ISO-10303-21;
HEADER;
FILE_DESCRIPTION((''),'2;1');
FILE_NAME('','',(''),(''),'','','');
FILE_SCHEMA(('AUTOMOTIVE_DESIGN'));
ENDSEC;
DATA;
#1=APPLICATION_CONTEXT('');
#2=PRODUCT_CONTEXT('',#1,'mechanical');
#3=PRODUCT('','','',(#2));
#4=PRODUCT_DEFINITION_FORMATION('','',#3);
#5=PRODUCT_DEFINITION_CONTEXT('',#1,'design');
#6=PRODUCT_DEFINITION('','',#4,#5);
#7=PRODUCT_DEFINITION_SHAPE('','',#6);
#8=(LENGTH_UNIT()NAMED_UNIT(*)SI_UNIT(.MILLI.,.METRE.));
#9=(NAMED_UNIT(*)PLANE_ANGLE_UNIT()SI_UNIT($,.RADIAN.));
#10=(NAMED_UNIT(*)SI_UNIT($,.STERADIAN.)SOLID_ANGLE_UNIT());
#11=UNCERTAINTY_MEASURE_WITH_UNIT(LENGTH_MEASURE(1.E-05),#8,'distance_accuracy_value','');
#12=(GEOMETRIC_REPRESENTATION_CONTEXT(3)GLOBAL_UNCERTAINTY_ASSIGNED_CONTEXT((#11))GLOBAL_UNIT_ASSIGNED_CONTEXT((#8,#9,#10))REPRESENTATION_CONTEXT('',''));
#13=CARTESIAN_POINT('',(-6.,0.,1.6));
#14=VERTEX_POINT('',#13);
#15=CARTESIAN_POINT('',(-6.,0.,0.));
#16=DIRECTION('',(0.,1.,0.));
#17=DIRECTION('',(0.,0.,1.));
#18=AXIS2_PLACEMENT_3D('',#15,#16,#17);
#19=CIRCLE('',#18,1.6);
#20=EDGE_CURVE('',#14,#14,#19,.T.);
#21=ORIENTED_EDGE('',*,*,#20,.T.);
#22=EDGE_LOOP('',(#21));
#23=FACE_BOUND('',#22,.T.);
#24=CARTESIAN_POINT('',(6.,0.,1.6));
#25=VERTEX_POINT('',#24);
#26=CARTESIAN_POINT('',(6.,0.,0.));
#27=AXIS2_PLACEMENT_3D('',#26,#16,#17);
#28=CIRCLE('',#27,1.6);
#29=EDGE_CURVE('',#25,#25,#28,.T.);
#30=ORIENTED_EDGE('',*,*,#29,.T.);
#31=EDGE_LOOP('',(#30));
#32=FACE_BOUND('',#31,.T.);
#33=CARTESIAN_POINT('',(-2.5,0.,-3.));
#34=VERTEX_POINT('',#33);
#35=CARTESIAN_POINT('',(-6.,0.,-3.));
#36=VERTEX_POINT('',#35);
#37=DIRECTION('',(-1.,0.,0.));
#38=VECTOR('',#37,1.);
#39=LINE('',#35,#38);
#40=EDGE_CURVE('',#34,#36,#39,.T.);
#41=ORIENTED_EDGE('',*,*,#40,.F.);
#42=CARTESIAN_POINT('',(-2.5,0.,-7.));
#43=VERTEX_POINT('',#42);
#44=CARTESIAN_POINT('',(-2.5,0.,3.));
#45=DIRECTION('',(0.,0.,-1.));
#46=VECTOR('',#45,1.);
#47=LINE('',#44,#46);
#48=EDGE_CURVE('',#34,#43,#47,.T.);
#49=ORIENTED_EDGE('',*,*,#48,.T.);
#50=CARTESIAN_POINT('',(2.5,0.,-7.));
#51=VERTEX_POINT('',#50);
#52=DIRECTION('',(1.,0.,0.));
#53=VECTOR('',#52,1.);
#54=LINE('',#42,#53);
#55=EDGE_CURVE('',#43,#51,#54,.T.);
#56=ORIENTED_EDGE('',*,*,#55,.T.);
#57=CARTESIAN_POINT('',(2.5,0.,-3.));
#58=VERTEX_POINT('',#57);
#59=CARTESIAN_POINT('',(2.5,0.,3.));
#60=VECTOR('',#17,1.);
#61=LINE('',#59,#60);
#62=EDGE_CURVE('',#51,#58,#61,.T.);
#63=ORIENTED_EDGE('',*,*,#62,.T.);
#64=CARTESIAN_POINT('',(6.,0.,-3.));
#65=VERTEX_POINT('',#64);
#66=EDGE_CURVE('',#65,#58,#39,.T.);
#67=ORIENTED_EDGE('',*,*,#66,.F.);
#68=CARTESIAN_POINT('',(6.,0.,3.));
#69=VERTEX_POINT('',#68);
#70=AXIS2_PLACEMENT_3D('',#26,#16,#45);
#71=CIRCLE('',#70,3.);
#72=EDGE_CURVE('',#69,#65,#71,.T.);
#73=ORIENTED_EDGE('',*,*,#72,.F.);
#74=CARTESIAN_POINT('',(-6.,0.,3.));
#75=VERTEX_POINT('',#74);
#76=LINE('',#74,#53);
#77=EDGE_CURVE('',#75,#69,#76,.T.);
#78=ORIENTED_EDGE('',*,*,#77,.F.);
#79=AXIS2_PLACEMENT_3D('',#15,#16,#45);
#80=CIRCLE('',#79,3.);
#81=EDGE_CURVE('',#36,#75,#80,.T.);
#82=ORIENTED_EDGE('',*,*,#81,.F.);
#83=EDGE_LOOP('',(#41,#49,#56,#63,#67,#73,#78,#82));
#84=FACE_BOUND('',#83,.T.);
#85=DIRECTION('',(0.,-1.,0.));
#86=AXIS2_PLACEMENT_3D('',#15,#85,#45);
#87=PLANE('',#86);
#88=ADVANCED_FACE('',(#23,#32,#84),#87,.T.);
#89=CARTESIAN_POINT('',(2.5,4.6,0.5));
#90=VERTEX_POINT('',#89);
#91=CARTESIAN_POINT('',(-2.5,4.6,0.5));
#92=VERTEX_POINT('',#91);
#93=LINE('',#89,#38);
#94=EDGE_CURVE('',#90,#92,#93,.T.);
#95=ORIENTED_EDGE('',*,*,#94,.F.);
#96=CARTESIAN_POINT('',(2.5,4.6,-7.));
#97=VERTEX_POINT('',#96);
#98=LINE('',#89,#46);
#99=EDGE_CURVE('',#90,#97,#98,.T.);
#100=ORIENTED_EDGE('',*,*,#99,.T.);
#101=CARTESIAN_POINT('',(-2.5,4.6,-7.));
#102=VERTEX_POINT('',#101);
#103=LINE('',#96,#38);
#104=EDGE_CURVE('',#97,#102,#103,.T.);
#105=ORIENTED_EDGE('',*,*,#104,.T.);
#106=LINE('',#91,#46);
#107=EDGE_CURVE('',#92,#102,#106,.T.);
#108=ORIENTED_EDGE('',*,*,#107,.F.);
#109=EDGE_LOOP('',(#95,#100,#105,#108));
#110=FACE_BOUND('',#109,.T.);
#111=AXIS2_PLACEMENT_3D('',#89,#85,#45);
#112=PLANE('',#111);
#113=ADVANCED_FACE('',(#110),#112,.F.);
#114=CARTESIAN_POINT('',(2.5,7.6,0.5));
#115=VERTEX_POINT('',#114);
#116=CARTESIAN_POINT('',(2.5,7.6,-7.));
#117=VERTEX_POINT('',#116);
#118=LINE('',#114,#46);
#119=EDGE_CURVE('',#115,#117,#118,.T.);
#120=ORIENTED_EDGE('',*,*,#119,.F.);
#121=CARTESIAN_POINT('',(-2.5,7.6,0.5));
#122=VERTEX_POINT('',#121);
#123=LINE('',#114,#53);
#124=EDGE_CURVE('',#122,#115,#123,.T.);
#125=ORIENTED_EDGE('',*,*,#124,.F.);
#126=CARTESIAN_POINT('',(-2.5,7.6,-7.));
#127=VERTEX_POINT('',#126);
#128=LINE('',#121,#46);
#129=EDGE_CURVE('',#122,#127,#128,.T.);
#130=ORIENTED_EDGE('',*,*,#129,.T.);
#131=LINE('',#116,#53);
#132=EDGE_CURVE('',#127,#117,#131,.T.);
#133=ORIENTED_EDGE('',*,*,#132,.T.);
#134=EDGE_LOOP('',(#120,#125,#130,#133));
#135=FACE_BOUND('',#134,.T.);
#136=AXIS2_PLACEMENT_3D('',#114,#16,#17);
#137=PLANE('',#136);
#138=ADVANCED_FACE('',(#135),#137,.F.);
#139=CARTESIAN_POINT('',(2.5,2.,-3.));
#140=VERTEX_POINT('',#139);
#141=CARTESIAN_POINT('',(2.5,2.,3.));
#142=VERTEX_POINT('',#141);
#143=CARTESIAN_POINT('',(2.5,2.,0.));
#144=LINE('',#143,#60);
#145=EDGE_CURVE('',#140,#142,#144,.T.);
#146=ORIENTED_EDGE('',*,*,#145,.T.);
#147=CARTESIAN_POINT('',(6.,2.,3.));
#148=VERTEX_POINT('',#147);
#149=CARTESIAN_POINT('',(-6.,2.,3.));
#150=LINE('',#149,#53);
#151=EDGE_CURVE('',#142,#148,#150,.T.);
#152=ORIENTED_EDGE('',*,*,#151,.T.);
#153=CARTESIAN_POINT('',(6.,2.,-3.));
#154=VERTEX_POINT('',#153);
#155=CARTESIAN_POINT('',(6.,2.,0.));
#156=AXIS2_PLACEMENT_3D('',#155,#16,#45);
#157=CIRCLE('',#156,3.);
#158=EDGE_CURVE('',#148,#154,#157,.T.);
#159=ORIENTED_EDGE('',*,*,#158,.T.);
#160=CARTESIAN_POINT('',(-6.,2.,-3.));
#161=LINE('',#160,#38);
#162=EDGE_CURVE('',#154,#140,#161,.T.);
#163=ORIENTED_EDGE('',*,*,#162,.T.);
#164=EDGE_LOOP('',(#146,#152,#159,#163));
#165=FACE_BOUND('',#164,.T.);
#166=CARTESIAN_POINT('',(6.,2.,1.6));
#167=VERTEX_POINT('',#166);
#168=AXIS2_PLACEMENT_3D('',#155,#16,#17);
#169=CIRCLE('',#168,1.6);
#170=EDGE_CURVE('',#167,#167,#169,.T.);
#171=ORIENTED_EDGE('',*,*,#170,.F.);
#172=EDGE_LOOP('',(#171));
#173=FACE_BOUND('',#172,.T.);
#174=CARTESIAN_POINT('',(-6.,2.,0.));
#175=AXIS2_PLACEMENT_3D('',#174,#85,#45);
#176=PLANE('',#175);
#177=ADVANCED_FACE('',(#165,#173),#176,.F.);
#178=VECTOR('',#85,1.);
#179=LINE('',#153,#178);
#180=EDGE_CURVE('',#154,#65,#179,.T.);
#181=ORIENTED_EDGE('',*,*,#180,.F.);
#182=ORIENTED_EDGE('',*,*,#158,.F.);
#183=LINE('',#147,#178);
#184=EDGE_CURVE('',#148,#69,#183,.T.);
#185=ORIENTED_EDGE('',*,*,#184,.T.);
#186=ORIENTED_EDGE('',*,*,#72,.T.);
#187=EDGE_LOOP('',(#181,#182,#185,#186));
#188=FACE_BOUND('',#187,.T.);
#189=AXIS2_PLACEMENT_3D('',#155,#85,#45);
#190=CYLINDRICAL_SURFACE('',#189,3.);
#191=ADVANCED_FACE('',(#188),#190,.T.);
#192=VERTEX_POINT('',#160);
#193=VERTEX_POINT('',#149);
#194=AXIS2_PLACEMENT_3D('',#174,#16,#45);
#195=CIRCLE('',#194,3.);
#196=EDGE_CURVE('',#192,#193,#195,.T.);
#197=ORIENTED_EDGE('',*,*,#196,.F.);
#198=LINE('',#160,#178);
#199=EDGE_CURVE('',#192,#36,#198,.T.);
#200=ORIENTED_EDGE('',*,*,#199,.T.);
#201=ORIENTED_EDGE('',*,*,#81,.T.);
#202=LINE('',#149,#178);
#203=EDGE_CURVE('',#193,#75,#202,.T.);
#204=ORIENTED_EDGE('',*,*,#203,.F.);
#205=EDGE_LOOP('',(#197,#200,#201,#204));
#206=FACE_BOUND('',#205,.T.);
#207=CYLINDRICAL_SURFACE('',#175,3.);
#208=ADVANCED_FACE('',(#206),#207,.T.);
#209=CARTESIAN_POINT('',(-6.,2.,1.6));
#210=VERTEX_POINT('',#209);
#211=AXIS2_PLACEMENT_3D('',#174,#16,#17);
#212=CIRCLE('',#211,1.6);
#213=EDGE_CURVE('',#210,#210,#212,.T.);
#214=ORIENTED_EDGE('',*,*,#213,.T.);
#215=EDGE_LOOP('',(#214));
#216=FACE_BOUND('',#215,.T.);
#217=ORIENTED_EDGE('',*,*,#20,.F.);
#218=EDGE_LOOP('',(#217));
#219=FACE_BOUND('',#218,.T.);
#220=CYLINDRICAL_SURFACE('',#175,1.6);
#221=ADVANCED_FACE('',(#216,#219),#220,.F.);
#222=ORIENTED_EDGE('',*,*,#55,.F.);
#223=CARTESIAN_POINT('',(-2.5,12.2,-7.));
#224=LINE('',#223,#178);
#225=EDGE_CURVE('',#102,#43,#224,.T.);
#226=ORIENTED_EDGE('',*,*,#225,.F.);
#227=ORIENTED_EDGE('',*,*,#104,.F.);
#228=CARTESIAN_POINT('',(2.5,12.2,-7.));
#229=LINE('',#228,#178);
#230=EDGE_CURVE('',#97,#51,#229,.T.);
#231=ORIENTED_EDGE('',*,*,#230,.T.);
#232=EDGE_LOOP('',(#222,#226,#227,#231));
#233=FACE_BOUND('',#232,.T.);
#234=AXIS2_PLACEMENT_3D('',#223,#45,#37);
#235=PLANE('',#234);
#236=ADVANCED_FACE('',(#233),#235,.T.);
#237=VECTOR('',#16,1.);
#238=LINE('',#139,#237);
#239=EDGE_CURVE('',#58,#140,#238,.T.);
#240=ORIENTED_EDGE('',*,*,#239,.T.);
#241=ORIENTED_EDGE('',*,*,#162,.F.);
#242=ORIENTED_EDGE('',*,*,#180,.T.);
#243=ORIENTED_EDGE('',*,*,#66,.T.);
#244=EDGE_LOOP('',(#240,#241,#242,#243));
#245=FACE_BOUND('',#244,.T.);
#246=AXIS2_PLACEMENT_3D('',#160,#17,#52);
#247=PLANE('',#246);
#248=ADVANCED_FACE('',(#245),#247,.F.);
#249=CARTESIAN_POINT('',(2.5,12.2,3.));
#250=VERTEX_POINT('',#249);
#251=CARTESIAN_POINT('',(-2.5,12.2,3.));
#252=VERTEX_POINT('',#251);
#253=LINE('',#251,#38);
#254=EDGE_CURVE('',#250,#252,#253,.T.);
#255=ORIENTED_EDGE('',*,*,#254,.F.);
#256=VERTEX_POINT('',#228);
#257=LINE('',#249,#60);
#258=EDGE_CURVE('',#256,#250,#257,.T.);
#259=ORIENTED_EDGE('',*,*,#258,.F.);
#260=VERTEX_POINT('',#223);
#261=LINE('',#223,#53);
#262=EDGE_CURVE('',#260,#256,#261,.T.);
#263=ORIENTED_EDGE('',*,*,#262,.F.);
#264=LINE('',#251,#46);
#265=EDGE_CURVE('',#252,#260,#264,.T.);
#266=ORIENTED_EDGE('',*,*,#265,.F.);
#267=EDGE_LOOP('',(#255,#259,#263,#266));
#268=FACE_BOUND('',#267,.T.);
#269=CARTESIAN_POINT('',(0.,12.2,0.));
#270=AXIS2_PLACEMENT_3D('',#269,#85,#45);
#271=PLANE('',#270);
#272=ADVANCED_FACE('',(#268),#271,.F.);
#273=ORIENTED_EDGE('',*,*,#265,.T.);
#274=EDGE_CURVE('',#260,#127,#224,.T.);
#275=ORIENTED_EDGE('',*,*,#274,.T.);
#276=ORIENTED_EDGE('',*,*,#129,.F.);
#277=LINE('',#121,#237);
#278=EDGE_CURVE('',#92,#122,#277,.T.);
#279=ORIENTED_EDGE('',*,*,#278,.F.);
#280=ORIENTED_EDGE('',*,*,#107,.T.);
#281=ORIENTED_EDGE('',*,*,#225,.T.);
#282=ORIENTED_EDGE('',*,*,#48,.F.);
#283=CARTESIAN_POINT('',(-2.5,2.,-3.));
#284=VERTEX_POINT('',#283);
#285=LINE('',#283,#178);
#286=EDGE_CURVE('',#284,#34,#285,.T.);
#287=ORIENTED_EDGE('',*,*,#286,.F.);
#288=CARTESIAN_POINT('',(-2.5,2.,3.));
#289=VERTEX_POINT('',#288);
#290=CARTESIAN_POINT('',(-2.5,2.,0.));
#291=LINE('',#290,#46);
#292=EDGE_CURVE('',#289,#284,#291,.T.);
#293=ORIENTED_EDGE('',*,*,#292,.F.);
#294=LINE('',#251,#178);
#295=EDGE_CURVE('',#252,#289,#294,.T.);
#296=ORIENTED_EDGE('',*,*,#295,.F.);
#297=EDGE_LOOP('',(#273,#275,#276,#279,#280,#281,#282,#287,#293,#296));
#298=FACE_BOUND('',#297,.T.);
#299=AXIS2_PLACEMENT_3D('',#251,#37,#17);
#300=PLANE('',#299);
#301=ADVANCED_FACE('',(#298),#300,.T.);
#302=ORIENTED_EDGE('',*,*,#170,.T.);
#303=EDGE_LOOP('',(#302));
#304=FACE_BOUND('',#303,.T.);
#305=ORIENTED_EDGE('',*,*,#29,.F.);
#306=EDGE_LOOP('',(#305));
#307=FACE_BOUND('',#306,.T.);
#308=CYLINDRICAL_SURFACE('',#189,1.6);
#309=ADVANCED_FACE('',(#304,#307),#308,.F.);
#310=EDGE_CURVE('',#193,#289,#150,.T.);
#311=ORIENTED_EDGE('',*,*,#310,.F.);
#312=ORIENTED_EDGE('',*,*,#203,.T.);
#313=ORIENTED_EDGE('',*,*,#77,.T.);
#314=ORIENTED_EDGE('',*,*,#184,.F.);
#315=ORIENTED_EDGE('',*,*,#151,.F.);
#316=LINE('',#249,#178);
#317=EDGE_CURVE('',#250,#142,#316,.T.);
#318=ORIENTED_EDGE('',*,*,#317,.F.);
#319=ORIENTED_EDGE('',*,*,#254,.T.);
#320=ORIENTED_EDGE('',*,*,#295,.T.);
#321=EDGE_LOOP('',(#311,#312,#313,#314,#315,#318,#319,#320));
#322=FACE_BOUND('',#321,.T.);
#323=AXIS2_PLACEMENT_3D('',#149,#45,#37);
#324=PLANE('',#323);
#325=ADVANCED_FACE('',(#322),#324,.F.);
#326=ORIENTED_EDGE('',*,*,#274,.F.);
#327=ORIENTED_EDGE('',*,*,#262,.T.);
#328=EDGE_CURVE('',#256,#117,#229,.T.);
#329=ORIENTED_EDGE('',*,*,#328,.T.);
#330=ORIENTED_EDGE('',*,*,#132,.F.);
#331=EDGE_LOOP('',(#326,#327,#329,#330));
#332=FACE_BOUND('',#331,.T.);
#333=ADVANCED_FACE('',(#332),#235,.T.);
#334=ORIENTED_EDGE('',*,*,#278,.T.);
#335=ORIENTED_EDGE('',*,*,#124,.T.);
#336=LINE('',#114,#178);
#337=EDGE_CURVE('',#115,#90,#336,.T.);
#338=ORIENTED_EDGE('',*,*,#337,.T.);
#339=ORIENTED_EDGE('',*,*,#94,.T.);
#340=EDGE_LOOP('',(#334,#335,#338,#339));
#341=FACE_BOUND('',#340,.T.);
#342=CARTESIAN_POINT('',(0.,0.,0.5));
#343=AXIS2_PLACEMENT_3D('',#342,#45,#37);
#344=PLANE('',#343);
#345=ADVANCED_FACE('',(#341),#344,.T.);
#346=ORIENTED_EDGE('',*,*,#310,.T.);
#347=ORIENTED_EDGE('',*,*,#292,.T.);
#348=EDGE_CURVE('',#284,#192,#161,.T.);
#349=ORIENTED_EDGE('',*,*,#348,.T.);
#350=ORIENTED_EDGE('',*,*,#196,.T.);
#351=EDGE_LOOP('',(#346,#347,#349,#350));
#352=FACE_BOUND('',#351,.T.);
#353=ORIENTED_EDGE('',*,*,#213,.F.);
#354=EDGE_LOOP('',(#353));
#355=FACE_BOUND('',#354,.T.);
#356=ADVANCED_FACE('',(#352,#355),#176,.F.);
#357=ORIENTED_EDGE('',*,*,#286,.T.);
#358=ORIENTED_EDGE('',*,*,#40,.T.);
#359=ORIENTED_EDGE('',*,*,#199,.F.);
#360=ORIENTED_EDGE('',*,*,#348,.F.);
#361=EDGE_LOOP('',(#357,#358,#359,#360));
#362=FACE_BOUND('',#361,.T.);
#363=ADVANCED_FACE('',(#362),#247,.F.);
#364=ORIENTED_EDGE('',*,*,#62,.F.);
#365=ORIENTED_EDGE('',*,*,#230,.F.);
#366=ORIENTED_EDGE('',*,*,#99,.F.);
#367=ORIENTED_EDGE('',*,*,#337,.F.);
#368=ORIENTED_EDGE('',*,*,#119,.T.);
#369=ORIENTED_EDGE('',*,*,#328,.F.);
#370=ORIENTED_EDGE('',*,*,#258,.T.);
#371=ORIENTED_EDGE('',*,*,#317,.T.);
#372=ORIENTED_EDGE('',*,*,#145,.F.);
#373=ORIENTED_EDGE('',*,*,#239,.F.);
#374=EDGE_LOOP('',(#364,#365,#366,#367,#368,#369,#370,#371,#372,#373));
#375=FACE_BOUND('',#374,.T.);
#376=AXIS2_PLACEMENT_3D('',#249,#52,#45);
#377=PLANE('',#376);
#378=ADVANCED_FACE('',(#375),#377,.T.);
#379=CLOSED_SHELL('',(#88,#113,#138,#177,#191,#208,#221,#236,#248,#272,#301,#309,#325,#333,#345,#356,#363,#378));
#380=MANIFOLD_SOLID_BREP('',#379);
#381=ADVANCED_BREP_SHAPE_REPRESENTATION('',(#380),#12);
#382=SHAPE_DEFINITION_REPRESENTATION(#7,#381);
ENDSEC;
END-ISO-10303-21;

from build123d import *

# Parameters (mm, degrees)
SKETCH_1_R            = 1.6
EXTRUDE_330_DEPTH     = 2
SKETCH_2_W            = 5
SKETCH_2_H            = 10
EXTRUDE_541_DEPTH     = 12.2
SKETCH_3_W            = 5
SKETCH_3_H            = 3
CUT_EXTRUDE_754_DEPTH = 7.5


with BuildPart() as part:
    # Эскиз1 → Extrude 330 (new body)
    with BuildSketch(Plane(origin=(0, 0, 0), x_dir=(1, 0, 0), z_dir=(0, 1, 0))):
        with BuildLine():
            Line((-6, 3), (6, 3))
            ThreePointArc((6, 3), (9, 0), (6, -3))
            Line((6, -3), (-6, -3))
            ThreePointArc((-6, -3), (-9, 0), (-6, 3))
        make_face()
        with Locations(Location((-6, 0, 0), (0, 0, 270))):
            Circle(SKETCH_1_R, mode=Mode.SUBTRACT)
        with Locations(Location((6, 0, 0), (0, 0, 270))):
            Circle(SKETCH_1_R, mode=Mode.SUBTRACT)
    extrude(amount=EXTRUDE_330_DEPTH)

    # Эскиз2 → Extrude 541 (add)
    with BuildSketch(Plane.XZ):
        with Locations((0, -2)):
            Rectangle(SKETCH_2_W, SKETCH_2_H)
    extrude(amount=-EXTRUDE_541_DEPTH)

    # Эскиз3 → Cut-Extrude 754 (cut)
    with BuildSketch(Plane(origin=(0, 0, -7), x_dir=(-1, 0, 0), z_dir=(0, 0, -1))):
        with Locations((0, 6.1)):
            Rectangle(SKETCH_3_W, SKETCH_3_H)
    extrude(amount=-CUT_EXTRUDE_754_DEPTH, mode=Mode.SUBTRACT)


solid = part.part
